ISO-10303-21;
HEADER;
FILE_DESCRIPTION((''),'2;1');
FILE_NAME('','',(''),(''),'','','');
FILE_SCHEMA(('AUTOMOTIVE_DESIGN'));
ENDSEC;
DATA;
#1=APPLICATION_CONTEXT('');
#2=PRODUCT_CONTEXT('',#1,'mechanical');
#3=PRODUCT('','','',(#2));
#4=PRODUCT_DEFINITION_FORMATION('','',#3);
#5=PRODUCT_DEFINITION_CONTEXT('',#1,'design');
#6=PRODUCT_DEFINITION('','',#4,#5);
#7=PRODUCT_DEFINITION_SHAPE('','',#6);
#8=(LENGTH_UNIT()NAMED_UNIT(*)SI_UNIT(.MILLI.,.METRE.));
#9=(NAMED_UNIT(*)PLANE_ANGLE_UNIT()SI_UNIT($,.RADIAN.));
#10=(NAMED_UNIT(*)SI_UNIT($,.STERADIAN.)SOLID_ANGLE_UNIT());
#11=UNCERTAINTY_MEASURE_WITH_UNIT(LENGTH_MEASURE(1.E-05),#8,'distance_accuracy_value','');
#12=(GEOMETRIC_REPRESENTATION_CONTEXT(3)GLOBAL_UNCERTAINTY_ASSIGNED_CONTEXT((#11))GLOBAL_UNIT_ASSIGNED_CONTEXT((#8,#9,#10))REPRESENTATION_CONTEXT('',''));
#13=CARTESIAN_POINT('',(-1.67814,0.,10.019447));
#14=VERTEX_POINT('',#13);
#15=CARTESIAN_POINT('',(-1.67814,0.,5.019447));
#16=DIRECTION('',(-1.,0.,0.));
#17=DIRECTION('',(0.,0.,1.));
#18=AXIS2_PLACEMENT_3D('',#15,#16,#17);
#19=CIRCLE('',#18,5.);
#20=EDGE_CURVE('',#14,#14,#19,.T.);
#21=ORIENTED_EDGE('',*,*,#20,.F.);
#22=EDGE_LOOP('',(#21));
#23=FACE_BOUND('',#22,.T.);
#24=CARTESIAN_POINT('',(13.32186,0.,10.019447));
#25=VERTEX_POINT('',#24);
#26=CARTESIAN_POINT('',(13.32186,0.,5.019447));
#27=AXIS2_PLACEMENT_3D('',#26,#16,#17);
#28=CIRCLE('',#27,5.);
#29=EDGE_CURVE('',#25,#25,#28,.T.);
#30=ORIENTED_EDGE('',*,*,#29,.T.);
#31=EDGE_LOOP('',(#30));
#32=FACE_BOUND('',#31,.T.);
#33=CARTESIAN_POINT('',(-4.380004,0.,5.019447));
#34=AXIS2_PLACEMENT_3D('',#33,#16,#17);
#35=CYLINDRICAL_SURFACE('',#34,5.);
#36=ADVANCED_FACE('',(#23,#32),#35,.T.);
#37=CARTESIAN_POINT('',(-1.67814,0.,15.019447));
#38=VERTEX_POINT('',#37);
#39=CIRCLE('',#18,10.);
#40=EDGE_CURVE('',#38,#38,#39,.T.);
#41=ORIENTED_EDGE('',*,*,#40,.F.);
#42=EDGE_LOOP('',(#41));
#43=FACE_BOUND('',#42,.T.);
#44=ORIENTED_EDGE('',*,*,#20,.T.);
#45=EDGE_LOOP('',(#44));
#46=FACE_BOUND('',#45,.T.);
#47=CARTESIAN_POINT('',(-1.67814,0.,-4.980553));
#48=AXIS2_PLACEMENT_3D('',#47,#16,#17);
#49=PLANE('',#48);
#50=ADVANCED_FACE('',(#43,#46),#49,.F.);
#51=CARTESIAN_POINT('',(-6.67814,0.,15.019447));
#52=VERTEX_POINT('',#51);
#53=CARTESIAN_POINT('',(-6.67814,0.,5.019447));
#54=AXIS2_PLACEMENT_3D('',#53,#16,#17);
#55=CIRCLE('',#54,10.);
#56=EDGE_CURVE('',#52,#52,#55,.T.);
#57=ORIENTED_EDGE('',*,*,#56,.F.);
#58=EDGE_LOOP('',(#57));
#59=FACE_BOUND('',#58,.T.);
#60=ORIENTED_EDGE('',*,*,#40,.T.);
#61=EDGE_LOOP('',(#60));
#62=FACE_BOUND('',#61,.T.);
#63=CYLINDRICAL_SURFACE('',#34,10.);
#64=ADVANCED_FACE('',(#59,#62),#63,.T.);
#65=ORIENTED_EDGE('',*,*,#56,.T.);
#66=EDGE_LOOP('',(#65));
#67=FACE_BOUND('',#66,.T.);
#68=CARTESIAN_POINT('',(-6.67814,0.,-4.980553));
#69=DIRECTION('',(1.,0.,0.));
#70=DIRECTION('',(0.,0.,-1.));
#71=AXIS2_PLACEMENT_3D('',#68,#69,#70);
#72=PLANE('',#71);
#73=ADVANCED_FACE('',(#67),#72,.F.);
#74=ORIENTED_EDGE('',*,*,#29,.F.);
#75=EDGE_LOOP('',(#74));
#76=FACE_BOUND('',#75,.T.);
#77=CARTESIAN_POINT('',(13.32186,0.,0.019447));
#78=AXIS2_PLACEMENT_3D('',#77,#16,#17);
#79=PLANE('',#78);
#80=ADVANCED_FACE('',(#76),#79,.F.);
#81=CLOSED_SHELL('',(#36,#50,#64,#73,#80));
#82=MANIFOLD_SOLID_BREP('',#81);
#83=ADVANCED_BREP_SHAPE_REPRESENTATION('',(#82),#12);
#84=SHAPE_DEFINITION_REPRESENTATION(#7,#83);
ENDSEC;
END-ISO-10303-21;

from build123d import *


with BuildPart() as part:
    # Sketch1 → Revolve1 (revolve)
    with BuildSketch(Plane(origin=(0, 0, 0), x_dir=(1, 0, 0), z_dir=(0, 1, 0)), mode=Mode.PRIVATE) as revolve1_sk:
        Polygon((-1.678140401, -0.019446706), (13.321859599, -0.019446706), (13.321859599, -5.019446706), (-4.380003755, -5.019446706), (-6.678140401, -5.019446706), (-6.678140401, 4.980553294), (-1.678140401, 4.980553294), align=None)
    revolve(revolve1_sk.sketch.rotate(Axis((-4.380003755, 0, 5.019446706), (1, 0, 0)), 180), axis=Axis((-4.380003755, 0, 5.019446706), (1, 0, 0)))


solid = part.part
